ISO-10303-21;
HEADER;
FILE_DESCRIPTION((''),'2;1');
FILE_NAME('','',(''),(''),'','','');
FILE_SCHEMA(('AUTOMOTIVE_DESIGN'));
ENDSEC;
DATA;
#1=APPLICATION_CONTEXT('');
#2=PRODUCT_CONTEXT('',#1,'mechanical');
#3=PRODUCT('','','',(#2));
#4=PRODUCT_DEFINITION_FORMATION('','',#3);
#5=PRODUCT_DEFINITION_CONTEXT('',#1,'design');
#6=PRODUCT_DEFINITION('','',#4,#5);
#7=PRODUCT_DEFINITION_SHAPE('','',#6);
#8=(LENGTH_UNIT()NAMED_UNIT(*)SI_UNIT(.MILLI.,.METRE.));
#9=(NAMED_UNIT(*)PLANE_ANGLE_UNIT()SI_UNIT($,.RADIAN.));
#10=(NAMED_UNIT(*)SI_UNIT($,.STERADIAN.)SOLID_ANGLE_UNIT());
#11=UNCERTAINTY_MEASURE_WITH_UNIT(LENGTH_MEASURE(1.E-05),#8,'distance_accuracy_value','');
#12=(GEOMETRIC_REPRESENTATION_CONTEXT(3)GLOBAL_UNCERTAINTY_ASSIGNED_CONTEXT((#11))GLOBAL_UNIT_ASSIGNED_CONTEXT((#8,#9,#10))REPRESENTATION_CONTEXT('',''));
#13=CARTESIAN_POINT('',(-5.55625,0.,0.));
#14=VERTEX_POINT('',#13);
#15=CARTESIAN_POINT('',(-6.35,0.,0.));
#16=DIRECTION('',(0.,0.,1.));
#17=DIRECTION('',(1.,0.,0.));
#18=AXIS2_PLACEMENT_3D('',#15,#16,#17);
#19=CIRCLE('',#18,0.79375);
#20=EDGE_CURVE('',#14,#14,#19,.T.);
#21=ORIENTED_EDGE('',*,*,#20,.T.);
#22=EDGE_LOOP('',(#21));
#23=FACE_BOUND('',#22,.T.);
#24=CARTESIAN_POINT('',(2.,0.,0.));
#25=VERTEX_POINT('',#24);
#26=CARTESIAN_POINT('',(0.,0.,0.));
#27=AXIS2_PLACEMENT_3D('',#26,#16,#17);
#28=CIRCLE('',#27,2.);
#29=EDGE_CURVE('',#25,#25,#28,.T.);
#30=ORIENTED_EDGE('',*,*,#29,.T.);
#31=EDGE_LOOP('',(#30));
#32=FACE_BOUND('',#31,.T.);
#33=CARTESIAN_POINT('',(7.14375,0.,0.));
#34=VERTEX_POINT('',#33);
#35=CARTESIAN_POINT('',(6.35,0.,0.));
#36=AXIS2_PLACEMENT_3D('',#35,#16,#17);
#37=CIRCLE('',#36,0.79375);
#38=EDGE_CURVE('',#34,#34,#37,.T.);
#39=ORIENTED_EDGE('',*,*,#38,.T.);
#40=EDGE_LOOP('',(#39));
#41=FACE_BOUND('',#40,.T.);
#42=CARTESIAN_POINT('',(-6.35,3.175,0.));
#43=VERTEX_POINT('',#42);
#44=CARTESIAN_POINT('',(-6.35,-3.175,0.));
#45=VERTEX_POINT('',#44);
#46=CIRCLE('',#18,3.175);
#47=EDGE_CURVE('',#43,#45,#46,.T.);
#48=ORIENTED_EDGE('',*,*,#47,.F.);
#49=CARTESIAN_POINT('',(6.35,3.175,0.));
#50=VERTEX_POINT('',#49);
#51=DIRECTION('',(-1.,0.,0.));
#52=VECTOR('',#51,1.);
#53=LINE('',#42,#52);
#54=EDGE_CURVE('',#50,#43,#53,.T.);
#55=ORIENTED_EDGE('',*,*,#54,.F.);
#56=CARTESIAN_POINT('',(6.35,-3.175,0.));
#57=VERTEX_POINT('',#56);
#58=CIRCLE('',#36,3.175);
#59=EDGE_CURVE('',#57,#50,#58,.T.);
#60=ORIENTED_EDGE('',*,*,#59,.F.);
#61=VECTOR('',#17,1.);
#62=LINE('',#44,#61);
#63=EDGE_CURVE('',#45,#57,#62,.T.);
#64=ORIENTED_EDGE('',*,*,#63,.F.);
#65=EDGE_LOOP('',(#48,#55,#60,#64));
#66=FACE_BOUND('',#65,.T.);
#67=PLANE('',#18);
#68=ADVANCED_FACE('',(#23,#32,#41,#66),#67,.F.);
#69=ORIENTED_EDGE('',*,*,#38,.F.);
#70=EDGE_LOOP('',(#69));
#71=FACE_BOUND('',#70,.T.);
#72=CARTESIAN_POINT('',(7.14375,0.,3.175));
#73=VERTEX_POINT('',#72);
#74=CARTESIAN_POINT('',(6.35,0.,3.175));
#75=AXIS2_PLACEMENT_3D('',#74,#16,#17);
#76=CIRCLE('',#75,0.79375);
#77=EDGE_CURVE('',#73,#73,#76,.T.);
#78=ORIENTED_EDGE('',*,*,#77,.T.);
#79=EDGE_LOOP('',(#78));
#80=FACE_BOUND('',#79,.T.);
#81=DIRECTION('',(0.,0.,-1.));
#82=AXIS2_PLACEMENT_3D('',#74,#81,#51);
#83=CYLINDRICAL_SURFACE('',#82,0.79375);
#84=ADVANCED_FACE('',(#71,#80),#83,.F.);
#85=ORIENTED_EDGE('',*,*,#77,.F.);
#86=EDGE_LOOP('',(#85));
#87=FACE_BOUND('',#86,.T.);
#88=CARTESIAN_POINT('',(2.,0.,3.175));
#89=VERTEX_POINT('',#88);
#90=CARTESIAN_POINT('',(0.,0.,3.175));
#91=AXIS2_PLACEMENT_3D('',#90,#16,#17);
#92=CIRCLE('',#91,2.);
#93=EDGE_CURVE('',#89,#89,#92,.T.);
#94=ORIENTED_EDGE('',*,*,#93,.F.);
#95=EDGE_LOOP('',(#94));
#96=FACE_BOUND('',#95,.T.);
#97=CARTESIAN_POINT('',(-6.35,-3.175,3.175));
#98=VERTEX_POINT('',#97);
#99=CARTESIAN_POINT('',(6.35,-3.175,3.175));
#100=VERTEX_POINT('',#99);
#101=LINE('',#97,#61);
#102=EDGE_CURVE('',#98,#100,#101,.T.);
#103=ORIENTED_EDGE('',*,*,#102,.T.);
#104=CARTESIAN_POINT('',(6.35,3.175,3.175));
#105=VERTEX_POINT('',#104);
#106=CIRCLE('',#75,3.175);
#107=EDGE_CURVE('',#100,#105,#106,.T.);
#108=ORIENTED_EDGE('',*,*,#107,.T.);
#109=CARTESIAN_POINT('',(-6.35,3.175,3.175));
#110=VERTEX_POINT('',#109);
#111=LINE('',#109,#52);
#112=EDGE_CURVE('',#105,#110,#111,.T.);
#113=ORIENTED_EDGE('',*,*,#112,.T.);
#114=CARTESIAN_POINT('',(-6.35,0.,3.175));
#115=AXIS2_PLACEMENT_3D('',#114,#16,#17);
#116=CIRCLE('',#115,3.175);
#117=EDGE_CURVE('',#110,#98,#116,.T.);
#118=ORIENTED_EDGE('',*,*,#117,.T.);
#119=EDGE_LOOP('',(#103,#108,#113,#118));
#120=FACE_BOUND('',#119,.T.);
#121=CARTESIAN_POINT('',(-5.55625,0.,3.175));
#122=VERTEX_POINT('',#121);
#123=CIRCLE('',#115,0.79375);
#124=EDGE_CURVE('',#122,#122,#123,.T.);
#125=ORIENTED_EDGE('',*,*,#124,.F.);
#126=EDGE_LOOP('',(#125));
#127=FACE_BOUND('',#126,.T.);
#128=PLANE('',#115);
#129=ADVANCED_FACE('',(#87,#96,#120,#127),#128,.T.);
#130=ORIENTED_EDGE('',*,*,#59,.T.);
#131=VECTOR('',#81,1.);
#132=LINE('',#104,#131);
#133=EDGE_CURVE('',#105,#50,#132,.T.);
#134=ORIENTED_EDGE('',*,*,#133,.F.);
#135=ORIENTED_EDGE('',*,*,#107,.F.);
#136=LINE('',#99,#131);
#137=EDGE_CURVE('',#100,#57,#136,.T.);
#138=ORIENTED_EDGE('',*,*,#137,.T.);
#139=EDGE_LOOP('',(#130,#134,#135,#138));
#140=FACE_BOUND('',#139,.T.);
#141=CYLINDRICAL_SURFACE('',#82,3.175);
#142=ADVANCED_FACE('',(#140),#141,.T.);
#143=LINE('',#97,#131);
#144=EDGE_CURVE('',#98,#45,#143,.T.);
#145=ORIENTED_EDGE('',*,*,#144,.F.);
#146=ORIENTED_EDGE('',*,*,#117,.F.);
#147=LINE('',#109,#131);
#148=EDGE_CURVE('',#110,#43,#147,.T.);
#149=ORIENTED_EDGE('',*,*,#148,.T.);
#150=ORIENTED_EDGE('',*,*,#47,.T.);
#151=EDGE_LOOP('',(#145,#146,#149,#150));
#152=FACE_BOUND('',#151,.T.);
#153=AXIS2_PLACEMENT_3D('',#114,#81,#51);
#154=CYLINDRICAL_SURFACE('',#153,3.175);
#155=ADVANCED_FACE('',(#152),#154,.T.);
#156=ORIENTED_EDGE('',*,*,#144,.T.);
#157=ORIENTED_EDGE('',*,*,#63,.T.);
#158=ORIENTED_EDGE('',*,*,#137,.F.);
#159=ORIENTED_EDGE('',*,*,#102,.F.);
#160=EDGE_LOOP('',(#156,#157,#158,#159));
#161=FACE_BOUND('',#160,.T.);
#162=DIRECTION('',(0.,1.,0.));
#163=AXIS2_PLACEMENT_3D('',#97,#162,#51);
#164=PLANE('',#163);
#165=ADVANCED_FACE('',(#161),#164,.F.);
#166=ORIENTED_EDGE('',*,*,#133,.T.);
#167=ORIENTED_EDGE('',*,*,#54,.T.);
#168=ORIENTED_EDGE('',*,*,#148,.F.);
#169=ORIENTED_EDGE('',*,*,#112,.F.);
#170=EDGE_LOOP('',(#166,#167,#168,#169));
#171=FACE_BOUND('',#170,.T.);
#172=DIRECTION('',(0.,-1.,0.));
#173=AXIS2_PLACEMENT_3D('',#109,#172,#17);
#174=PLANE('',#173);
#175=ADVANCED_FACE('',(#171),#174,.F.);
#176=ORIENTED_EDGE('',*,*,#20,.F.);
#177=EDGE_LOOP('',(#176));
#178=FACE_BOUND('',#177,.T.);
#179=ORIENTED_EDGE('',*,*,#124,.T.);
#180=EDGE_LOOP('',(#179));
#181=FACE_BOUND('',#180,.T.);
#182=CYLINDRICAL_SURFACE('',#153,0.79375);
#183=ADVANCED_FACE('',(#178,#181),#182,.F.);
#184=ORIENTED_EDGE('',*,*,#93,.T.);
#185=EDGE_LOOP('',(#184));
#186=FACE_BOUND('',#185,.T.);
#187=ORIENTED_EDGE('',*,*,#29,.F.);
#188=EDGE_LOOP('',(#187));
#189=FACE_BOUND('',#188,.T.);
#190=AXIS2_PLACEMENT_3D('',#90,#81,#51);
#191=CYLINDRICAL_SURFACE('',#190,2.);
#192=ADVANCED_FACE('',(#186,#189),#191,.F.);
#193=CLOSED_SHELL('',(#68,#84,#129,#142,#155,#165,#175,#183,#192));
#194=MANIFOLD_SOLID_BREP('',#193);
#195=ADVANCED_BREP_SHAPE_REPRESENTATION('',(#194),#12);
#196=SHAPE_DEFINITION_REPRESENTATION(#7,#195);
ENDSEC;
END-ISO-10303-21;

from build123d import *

# Parameters (mm, degrees)
SKETCH2_R           = 2
SKETCH2_R_2         = 0.79375
BOSS_EXTRUDE1_DEPTH = 3.175


with BuildPart() as part:
    # Sketch2 → Boss-Extrude1 (new body)
    with BuildSketch(Plane.XY):
        with BuildLine():
            Line((-6.35, 3.175), (6.35, 3.175))
            ThreePointArc((6.35, 3.175), (9.525, 0), (6.35, -3.175))
            Line((6.35, -3.175), (-6.35, -3.175))
            ThreePointArc((-6.35, -3.175), (-9.525, 0), (-6.35, 3.175))
        make_face()
        Circle(SKETCH2_R, mode=Mode.SUBTRACT)
        with Locations((-6.35, 0)):
            Circle(SKETCH2_R_2, mode=Mode.SUBTRACT)
        with Locations((6.35, 0)):
            Circle(SKETCH2_R_2, mode=Mode.SUBTRACT)
    extrude(amount=BOSS_EXTRUDE1_DEPTH)


solid = part.part
